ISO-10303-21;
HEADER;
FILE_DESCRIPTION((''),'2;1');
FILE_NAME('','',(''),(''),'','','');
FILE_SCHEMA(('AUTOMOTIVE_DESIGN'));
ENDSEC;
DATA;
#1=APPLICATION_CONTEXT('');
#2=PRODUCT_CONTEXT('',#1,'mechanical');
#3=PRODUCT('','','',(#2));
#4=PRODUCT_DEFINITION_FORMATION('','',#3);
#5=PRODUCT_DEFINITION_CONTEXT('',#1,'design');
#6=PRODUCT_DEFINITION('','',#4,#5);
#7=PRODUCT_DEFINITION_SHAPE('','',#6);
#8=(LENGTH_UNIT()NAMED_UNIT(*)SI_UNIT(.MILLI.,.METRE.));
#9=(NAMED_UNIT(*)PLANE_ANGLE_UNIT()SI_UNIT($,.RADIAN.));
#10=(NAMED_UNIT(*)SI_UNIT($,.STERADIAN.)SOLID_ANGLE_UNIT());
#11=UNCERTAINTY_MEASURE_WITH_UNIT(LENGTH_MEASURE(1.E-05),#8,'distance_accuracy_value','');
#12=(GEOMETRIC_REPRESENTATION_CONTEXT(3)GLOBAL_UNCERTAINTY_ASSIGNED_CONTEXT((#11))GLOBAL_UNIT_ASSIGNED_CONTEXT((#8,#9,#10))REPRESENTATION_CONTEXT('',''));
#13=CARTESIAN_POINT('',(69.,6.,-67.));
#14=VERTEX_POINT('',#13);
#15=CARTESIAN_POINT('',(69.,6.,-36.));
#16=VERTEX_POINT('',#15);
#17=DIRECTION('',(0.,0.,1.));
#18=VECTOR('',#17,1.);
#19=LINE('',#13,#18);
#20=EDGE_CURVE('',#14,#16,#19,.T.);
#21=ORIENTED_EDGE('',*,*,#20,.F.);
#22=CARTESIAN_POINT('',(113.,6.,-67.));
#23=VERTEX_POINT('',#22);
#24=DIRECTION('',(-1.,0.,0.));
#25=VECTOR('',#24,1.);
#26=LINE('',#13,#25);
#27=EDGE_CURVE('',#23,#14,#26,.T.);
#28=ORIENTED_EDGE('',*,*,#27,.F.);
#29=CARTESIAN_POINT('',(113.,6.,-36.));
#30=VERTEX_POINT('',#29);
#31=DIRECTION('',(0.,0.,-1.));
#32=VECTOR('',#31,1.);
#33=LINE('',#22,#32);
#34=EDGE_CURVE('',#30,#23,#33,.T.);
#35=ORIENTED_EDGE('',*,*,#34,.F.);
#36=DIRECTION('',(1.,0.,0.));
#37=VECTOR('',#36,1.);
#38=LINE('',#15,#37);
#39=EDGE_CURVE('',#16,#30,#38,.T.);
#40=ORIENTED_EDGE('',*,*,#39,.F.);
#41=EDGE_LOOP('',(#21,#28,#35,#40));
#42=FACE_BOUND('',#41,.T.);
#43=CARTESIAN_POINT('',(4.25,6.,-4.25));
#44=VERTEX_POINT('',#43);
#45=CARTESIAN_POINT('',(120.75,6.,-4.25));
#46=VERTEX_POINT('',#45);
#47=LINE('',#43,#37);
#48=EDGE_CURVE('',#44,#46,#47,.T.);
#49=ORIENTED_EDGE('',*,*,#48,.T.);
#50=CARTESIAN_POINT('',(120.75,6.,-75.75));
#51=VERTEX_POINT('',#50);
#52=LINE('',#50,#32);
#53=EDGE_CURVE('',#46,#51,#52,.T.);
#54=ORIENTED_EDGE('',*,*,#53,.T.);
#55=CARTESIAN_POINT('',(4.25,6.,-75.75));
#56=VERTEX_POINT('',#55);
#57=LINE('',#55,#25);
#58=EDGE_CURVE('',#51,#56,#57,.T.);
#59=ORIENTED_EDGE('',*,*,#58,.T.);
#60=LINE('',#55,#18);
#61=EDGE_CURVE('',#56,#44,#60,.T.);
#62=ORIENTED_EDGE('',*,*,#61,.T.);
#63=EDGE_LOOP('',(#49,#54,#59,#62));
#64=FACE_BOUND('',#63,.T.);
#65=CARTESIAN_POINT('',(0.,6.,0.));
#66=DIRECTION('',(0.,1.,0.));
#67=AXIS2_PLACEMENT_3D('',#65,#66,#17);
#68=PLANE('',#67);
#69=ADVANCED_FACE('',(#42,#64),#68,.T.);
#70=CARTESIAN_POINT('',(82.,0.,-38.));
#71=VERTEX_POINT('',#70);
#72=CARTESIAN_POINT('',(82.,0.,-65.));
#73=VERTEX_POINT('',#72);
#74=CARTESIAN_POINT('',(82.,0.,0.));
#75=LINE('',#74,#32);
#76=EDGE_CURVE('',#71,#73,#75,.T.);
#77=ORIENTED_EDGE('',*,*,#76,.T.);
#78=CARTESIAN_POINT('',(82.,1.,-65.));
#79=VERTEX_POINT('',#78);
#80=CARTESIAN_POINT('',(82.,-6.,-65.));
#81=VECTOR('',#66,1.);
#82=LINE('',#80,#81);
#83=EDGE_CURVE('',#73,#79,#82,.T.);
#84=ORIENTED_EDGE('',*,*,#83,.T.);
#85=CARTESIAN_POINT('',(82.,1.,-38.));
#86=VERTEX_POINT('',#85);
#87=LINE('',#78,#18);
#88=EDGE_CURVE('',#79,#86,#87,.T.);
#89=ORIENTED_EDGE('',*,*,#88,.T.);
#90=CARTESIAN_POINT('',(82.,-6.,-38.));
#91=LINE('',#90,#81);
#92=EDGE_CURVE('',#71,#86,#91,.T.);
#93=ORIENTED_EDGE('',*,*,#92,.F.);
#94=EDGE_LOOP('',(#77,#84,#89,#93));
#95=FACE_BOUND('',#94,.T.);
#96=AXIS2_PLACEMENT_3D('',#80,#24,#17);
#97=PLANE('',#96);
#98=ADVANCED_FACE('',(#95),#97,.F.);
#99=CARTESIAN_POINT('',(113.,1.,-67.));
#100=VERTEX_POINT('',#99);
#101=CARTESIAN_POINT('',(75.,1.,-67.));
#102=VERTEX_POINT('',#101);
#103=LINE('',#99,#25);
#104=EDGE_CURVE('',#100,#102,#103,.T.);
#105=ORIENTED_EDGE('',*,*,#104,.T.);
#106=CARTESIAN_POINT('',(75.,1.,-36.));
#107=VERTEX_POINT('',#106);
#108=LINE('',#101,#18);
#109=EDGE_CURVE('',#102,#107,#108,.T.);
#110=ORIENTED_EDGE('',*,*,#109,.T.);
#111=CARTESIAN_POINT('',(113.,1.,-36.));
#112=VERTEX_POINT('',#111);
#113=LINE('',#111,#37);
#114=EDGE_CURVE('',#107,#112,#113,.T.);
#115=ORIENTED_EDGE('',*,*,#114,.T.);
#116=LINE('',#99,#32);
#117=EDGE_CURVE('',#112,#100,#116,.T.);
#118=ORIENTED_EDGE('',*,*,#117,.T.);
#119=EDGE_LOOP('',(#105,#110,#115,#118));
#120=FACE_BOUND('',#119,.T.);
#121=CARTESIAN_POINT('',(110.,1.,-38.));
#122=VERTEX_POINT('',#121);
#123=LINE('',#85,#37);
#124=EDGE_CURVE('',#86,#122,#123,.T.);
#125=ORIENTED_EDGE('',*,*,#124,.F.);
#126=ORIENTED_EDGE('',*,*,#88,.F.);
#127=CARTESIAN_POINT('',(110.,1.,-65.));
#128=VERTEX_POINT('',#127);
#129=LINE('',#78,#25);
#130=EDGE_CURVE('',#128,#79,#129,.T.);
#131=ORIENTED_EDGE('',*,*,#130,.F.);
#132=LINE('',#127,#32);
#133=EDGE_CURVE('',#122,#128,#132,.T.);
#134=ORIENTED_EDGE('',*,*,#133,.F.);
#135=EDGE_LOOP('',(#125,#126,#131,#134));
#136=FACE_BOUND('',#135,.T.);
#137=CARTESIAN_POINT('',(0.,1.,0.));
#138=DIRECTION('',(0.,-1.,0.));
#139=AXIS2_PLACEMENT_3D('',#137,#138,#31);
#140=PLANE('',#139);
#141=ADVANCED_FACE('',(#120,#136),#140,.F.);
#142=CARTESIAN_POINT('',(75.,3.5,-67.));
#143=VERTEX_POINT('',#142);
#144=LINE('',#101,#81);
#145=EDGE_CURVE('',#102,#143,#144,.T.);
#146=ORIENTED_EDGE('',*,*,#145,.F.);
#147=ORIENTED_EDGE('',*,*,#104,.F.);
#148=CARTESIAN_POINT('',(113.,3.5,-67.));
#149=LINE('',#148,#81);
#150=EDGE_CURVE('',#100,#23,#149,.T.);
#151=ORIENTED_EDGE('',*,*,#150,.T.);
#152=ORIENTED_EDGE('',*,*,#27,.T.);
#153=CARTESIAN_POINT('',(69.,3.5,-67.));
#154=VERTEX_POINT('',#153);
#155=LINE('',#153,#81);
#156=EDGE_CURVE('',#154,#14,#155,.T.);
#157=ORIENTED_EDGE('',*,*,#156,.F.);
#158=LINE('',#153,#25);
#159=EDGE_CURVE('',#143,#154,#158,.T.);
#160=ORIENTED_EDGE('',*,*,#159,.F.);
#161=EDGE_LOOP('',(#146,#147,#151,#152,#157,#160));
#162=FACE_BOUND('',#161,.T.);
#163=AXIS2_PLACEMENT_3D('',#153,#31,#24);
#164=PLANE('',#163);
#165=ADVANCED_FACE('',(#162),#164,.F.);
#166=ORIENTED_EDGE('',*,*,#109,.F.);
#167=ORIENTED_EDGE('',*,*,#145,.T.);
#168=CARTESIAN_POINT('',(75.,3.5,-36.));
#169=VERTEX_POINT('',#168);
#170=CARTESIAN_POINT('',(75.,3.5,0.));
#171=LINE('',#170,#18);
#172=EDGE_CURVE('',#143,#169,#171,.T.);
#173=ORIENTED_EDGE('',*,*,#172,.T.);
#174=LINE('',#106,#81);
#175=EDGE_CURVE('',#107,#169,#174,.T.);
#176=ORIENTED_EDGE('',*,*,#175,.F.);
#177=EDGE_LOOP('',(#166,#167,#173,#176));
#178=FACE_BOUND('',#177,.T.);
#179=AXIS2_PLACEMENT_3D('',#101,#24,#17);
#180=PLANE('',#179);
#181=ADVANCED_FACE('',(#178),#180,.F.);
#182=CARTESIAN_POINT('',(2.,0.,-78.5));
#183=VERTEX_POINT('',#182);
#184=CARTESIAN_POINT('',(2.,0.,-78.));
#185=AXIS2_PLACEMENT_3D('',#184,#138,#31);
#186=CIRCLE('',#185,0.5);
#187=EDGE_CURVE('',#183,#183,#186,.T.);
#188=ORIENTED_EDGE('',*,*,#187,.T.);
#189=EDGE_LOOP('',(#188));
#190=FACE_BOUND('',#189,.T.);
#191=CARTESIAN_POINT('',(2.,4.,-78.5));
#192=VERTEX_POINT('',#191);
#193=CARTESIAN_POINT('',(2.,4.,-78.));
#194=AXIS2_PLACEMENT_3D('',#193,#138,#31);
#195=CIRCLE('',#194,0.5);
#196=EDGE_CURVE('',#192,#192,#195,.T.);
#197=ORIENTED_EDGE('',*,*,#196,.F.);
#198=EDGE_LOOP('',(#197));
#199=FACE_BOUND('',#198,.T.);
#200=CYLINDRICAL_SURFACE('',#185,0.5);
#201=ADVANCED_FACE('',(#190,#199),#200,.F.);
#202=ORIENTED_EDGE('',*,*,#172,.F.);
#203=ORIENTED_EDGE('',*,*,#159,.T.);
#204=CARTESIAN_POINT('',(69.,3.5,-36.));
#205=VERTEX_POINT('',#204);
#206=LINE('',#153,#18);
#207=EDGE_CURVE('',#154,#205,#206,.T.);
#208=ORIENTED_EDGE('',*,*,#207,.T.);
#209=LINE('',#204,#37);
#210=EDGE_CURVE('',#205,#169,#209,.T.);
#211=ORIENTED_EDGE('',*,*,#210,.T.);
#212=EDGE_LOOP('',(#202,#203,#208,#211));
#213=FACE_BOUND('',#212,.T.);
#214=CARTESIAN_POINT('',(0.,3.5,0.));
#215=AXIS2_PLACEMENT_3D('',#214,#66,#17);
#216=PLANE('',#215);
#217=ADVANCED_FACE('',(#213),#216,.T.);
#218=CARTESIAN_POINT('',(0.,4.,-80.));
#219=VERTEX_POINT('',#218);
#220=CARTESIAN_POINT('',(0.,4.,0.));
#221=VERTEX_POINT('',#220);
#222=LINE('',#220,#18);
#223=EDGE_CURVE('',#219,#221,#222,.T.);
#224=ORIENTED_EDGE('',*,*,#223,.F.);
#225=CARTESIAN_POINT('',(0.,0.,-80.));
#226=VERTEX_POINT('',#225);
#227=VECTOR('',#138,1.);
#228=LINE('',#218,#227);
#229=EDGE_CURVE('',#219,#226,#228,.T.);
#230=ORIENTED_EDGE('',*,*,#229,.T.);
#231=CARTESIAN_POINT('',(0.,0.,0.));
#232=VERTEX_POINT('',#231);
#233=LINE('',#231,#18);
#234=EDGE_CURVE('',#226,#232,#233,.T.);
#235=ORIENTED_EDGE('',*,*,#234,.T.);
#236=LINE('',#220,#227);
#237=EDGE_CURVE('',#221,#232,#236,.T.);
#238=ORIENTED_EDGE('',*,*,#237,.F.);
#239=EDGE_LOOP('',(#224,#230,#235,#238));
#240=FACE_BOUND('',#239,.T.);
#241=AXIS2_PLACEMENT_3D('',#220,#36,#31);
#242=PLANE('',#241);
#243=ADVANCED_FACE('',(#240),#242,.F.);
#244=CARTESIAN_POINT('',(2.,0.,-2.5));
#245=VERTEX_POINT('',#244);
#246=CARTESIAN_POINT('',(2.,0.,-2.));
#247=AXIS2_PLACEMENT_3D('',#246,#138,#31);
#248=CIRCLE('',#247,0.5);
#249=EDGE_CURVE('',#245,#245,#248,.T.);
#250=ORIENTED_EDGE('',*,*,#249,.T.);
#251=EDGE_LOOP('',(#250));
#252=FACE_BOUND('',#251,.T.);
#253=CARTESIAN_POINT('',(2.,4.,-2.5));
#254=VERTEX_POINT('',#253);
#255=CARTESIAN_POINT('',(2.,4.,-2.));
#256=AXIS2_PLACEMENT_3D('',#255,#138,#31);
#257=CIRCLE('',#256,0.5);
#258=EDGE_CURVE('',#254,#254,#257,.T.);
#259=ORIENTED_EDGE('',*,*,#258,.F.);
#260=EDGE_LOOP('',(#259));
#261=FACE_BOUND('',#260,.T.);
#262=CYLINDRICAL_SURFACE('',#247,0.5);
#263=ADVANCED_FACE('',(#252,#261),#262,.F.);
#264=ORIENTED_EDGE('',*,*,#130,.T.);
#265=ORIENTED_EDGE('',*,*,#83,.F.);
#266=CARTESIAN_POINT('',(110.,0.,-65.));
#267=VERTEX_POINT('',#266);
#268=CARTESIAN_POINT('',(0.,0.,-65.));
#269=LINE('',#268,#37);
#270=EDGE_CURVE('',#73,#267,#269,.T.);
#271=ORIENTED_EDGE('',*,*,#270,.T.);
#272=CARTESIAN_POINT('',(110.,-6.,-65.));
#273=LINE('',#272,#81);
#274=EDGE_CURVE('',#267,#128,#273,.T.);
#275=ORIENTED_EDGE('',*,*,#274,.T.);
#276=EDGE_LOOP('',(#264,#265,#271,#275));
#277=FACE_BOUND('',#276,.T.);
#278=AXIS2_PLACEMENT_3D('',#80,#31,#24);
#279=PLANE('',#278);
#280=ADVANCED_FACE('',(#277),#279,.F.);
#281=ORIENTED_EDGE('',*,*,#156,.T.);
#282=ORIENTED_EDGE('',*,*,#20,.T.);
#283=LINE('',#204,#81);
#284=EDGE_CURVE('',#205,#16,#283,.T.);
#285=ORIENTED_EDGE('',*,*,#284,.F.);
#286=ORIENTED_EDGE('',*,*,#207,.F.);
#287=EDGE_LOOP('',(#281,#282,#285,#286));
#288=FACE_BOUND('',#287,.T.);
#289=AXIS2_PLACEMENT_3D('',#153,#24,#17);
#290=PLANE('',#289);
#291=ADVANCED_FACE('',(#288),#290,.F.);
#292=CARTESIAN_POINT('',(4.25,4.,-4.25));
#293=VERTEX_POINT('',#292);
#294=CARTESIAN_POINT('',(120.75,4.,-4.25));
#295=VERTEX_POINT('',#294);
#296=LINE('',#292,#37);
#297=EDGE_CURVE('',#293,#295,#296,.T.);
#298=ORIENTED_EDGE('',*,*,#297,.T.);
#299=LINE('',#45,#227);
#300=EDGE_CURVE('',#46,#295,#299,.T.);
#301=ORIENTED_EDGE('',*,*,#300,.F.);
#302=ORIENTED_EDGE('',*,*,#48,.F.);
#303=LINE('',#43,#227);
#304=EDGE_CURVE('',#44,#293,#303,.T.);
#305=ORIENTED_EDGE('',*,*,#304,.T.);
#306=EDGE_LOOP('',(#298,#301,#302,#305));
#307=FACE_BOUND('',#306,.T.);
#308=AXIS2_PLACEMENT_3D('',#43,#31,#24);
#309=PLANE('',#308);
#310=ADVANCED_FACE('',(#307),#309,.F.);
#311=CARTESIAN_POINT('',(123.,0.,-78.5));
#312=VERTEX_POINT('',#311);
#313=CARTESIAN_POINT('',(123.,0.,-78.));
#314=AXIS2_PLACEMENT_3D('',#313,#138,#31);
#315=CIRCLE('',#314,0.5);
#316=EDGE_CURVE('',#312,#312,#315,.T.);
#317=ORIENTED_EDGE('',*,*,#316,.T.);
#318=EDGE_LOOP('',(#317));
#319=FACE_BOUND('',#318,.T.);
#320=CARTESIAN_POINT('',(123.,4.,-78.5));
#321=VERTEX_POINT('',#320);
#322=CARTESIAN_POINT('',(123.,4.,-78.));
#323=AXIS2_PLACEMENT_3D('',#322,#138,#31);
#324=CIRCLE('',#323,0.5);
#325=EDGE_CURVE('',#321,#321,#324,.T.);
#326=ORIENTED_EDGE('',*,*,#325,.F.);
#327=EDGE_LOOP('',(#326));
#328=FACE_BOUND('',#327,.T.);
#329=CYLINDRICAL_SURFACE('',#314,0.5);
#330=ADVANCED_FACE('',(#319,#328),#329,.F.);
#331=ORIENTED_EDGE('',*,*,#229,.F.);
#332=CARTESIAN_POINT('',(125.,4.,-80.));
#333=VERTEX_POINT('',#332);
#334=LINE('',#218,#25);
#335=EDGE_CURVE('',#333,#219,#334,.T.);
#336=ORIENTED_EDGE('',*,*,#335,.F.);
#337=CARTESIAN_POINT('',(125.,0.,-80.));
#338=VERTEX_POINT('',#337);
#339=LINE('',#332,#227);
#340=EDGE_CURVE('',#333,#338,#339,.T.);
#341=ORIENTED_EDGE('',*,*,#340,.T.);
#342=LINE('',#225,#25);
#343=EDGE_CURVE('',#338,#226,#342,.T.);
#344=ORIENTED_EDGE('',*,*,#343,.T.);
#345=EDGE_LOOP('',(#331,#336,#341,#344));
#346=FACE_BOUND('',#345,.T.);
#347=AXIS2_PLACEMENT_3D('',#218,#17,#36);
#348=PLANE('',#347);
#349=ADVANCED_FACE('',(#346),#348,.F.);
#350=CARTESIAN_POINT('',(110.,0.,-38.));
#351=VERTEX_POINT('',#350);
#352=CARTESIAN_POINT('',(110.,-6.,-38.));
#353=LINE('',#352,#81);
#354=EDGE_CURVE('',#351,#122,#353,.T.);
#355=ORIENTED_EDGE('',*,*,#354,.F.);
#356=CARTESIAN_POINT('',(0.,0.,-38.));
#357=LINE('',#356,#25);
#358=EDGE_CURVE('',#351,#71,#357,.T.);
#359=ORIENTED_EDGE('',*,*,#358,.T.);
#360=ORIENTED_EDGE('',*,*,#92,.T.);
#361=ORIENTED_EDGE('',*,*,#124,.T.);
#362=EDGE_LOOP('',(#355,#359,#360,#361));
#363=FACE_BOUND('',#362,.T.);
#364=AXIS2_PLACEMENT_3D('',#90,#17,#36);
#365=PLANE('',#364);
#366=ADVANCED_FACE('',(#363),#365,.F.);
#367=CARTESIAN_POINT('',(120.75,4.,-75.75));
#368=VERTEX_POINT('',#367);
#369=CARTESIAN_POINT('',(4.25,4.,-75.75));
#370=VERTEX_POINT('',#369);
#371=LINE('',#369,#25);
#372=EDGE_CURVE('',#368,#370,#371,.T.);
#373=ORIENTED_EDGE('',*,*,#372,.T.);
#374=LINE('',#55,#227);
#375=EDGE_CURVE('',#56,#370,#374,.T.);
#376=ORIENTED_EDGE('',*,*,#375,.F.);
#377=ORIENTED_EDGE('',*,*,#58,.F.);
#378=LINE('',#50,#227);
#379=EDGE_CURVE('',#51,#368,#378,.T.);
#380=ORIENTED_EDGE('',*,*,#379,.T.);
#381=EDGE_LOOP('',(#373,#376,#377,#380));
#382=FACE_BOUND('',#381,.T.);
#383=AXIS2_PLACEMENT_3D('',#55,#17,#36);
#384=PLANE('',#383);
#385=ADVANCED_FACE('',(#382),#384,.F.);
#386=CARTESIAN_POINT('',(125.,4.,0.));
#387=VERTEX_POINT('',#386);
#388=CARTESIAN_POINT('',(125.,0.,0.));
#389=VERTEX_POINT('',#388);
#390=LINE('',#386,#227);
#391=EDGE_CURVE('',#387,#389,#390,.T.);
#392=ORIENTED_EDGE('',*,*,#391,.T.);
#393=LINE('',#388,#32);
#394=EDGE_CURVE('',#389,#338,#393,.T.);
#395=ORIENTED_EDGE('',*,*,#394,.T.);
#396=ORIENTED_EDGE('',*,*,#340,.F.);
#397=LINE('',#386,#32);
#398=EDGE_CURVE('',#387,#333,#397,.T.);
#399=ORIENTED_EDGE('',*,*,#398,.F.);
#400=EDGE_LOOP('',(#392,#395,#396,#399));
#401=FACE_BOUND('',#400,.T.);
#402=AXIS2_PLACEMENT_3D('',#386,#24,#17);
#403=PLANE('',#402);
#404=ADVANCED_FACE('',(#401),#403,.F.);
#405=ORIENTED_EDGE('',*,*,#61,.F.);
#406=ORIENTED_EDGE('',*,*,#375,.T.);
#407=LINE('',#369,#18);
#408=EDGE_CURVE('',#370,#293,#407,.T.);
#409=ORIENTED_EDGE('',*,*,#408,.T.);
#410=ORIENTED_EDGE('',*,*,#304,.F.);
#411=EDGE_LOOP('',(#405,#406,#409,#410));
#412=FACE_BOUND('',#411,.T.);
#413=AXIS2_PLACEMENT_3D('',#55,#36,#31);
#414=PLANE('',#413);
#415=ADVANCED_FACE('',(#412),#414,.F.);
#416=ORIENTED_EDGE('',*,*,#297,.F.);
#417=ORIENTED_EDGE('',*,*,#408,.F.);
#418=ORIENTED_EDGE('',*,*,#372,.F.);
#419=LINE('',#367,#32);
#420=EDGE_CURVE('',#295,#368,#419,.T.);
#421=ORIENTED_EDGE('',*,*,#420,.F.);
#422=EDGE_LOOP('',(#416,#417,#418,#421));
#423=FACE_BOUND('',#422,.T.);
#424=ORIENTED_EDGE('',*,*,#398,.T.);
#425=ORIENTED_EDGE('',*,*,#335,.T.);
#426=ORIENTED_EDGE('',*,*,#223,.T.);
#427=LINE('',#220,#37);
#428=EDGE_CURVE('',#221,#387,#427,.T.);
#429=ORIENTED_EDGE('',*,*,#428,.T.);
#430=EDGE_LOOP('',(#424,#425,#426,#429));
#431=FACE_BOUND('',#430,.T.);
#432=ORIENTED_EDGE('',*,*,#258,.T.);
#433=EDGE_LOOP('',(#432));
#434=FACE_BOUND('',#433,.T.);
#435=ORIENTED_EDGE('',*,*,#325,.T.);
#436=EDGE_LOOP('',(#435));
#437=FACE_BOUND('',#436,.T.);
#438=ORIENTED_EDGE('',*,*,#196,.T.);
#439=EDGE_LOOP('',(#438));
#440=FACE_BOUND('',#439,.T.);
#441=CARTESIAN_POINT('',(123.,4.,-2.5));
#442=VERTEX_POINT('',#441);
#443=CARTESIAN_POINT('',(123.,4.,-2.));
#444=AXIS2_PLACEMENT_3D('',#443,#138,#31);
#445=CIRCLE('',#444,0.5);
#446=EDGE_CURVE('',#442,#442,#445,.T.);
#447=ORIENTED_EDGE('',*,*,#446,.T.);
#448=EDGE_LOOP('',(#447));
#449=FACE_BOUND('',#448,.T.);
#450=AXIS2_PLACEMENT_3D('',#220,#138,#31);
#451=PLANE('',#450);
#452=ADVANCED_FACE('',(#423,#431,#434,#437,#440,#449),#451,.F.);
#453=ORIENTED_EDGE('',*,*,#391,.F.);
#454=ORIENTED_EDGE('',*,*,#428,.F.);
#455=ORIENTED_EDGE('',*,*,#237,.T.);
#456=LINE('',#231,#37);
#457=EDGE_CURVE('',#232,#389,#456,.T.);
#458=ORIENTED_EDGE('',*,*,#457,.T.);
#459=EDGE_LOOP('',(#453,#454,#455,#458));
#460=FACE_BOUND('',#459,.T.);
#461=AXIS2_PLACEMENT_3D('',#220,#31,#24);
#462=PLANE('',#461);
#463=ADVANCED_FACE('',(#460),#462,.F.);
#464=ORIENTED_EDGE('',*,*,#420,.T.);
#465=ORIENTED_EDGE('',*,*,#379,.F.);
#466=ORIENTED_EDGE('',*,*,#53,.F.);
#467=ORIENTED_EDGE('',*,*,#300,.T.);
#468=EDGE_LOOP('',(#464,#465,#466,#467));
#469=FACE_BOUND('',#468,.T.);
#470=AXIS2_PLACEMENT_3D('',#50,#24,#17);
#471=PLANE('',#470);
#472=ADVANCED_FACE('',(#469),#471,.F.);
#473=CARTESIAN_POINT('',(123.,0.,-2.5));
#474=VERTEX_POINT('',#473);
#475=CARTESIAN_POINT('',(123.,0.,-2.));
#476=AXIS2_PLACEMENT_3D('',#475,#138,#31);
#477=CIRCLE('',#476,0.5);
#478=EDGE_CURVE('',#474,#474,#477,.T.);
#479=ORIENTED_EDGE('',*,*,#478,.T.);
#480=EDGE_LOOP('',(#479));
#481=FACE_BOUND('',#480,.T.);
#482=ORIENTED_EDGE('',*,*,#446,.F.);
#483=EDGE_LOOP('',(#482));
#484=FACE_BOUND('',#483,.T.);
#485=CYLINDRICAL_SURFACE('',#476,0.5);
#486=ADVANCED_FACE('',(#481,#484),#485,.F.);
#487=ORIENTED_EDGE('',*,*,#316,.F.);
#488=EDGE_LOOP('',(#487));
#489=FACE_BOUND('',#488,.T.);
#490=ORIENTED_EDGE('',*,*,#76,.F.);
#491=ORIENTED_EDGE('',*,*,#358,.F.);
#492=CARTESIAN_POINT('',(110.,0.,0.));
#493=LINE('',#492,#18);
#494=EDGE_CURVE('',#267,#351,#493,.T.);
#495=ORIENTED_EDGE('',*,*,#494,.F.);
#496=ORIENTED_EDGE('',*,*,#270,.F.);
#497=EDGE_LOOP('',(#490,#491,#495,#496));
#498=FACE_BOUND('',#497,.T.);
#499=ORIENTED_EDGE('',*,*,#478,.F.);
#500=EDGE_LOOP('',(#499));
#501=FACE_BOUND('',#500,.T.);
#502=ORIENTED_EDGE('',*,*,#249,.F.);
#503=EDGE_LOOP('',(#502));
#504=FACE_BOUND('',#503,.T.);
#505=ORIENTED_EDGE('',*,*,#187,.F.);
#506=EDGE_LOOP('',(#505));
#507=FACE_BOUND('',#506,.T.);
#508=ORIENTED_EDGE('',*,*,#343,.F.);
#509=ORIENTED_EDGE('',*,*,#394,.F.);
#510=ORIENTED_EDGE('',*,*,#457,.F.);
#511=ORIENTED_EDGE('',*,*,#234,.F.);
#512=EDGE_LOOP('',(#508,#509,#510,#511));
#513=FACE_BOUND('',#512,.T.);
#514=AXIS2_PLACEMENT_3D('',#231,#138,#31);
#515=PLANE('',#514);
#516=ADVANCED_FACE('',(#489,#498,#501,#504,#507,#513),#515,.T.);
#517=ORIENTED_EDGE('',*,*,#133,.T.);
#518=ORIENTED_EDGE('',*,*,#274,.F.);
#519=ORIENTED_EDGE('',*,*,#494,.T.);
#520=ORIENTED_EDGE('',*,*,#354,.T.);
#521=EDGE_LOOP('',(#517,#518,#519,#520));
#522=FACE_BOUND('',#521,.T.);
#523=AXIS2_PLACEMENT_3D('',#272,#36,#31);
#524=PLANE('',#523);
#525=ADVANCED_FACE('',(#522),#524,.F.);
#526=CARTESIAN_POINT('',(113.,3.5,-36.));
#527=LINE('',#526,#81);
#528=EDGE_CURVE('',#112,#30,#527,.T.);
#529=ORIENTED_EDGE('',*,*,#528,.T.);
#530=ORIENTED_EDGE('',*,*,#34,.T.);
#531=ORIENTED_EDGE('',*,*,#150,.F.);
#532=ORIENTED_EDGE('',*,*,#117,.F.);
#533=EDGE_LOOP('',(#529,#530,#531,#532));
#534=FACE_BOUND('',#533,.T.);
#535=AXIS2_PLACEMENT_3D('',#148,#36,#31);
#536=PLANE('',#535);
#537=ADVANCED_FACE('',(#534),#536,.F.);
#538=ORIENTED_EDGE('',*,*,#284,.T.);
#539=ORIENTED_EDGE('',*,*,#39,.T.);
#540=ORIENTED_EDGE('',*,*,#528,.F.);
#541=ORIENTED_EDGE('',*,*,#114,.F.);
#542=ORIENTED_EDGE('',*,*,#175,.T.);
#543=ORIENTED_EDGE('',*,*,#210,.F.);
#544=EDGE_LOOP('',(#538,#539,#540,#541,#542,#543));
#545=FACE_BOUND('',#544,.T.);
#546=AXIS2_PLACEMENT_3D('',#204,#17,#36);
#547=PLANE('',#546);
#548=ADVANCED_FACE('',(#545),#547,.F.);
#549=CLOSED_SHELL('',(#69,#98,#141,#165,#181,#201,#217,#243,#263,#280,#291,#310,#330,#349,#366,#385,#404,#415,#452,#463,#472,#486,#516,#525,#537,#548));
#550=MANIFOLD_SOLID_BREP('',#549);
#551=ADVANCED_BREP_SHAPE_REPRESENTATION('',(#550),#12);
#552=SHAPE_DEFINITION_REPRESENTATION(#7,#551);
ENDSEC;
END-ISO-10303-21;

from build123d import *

# Parameters (mm, degrees)
BASE_SKETCH_W         = 125
BASE_SKETCH_H         = 80
BASE_EXTRUDE_DEPTH    = 4
INSET_SKETCH_W        = 116.5
INSET_SKETCH_H        = 71.5
INSET_EXTRUDE_DEPTH   = 2
INNER_HOLE_SKETCH_W   = 28
INNER_HOLE_SKETCH_H   = 27
INNER_HOLE_CUT_DEPTH  = 12
OUTER_HOLE_SKETCH_W   = 44
OUTER_HOLE_SKETCH_H   = 31
OUTTER_HOLE_CUT_DEPTH = 2.5
MIDDLE_HOLE_SKETCH_W  = 38
MIDDLE_HOLE_SKETCH_H  = 31
MIDDLE_HOLE_CUT_DEPTH = 5
F_1_0MM_DOWEL_HOLE1_D = 1


with BuildPart() as part:
    # base sketch → base extrude (new body)
    with BuildSketch(Plane(origin=(0, 0, 0), x_dir=(1, 0, 0), z_dir=(0, 1, 0))):
        with Locations((62.5, 40)):
            Rectangle(BASE_SKETCH_W, BASE_SKETCH_H)
    extrude(amount=BASE_EXTRUDE_DEPTH)

    # inset sketch → inset extrude (add)
    with BuildSketch(Plane(origin=(0, 4, 0), x_dir=(1, 0, 0), z_dir=(0, 1, 0))):
        with Locations((62.5, 40)):
            Rectangle(INSET_SKETCH_W, INSET_SKETCH_H)
    extrude(amount=INSET_EXTRUDE_DEPTH)

    # inner hole sketch → inner hole cut (cut)
    with BuildSketch(Plane(origin=(0, 6, 0), x_dir=(1, 0, 0), z_dir=(0, 1, 0))):
        with Locations((96, 51.5)):
            Rectangle(INNER_HOLE_SKETCH_W, INNER_HOLE_SKETCH_H)
    extrude(amount=-INNER_HOLE_CUT_DEPTH, mode=Mode.SUBTRACT)

    # outer hole sketch → outter hole cut (cut)
    with BuildSketch(Plane(origin=(0, 6, 0), x_dir=(1, 0, 0), z_dir=(0, 1, 0))):
        with Locations((91, 51.5)):
            Rectangle(OUTER_HOLE_SKETCH_W, OUTER_HOLE_SKETCH_H)
    extrude(amount=-OUTTER_HOLE_CUT_DEPTH, mode=Mode.SUBTRACT)

    # middle hole sketch → middle hole cut (cut)
    with BuildSketch(Plane(origin=(0, 6, 0), x_dir=(1, 0, 0), z_dir=(0, 1, 0))):
        with Locations((94, 51.5)):
            Rectangle(MIDDLE_HOLE_SKETCH_W, MIDDLE_HOLE_SKETCH_H)
    extrude(amount=-MIDDLE_HOLE_CUT_DEPTH, mode=Mode.SUBTRACT)

    # Ø1.0mm Dowel Hole1 (through all)
    with Locations(Plane(origin=(123, 0, -78), x_dir=(0, 0, -1), z_dir=(0, -1, 0))):
        with Locations((0, 0), (-76, 0), (-76, -121), (0, -121)):
            Hole(F_1_0MM_DOWEL_HOLE1_D / 2)


solid = part.part
